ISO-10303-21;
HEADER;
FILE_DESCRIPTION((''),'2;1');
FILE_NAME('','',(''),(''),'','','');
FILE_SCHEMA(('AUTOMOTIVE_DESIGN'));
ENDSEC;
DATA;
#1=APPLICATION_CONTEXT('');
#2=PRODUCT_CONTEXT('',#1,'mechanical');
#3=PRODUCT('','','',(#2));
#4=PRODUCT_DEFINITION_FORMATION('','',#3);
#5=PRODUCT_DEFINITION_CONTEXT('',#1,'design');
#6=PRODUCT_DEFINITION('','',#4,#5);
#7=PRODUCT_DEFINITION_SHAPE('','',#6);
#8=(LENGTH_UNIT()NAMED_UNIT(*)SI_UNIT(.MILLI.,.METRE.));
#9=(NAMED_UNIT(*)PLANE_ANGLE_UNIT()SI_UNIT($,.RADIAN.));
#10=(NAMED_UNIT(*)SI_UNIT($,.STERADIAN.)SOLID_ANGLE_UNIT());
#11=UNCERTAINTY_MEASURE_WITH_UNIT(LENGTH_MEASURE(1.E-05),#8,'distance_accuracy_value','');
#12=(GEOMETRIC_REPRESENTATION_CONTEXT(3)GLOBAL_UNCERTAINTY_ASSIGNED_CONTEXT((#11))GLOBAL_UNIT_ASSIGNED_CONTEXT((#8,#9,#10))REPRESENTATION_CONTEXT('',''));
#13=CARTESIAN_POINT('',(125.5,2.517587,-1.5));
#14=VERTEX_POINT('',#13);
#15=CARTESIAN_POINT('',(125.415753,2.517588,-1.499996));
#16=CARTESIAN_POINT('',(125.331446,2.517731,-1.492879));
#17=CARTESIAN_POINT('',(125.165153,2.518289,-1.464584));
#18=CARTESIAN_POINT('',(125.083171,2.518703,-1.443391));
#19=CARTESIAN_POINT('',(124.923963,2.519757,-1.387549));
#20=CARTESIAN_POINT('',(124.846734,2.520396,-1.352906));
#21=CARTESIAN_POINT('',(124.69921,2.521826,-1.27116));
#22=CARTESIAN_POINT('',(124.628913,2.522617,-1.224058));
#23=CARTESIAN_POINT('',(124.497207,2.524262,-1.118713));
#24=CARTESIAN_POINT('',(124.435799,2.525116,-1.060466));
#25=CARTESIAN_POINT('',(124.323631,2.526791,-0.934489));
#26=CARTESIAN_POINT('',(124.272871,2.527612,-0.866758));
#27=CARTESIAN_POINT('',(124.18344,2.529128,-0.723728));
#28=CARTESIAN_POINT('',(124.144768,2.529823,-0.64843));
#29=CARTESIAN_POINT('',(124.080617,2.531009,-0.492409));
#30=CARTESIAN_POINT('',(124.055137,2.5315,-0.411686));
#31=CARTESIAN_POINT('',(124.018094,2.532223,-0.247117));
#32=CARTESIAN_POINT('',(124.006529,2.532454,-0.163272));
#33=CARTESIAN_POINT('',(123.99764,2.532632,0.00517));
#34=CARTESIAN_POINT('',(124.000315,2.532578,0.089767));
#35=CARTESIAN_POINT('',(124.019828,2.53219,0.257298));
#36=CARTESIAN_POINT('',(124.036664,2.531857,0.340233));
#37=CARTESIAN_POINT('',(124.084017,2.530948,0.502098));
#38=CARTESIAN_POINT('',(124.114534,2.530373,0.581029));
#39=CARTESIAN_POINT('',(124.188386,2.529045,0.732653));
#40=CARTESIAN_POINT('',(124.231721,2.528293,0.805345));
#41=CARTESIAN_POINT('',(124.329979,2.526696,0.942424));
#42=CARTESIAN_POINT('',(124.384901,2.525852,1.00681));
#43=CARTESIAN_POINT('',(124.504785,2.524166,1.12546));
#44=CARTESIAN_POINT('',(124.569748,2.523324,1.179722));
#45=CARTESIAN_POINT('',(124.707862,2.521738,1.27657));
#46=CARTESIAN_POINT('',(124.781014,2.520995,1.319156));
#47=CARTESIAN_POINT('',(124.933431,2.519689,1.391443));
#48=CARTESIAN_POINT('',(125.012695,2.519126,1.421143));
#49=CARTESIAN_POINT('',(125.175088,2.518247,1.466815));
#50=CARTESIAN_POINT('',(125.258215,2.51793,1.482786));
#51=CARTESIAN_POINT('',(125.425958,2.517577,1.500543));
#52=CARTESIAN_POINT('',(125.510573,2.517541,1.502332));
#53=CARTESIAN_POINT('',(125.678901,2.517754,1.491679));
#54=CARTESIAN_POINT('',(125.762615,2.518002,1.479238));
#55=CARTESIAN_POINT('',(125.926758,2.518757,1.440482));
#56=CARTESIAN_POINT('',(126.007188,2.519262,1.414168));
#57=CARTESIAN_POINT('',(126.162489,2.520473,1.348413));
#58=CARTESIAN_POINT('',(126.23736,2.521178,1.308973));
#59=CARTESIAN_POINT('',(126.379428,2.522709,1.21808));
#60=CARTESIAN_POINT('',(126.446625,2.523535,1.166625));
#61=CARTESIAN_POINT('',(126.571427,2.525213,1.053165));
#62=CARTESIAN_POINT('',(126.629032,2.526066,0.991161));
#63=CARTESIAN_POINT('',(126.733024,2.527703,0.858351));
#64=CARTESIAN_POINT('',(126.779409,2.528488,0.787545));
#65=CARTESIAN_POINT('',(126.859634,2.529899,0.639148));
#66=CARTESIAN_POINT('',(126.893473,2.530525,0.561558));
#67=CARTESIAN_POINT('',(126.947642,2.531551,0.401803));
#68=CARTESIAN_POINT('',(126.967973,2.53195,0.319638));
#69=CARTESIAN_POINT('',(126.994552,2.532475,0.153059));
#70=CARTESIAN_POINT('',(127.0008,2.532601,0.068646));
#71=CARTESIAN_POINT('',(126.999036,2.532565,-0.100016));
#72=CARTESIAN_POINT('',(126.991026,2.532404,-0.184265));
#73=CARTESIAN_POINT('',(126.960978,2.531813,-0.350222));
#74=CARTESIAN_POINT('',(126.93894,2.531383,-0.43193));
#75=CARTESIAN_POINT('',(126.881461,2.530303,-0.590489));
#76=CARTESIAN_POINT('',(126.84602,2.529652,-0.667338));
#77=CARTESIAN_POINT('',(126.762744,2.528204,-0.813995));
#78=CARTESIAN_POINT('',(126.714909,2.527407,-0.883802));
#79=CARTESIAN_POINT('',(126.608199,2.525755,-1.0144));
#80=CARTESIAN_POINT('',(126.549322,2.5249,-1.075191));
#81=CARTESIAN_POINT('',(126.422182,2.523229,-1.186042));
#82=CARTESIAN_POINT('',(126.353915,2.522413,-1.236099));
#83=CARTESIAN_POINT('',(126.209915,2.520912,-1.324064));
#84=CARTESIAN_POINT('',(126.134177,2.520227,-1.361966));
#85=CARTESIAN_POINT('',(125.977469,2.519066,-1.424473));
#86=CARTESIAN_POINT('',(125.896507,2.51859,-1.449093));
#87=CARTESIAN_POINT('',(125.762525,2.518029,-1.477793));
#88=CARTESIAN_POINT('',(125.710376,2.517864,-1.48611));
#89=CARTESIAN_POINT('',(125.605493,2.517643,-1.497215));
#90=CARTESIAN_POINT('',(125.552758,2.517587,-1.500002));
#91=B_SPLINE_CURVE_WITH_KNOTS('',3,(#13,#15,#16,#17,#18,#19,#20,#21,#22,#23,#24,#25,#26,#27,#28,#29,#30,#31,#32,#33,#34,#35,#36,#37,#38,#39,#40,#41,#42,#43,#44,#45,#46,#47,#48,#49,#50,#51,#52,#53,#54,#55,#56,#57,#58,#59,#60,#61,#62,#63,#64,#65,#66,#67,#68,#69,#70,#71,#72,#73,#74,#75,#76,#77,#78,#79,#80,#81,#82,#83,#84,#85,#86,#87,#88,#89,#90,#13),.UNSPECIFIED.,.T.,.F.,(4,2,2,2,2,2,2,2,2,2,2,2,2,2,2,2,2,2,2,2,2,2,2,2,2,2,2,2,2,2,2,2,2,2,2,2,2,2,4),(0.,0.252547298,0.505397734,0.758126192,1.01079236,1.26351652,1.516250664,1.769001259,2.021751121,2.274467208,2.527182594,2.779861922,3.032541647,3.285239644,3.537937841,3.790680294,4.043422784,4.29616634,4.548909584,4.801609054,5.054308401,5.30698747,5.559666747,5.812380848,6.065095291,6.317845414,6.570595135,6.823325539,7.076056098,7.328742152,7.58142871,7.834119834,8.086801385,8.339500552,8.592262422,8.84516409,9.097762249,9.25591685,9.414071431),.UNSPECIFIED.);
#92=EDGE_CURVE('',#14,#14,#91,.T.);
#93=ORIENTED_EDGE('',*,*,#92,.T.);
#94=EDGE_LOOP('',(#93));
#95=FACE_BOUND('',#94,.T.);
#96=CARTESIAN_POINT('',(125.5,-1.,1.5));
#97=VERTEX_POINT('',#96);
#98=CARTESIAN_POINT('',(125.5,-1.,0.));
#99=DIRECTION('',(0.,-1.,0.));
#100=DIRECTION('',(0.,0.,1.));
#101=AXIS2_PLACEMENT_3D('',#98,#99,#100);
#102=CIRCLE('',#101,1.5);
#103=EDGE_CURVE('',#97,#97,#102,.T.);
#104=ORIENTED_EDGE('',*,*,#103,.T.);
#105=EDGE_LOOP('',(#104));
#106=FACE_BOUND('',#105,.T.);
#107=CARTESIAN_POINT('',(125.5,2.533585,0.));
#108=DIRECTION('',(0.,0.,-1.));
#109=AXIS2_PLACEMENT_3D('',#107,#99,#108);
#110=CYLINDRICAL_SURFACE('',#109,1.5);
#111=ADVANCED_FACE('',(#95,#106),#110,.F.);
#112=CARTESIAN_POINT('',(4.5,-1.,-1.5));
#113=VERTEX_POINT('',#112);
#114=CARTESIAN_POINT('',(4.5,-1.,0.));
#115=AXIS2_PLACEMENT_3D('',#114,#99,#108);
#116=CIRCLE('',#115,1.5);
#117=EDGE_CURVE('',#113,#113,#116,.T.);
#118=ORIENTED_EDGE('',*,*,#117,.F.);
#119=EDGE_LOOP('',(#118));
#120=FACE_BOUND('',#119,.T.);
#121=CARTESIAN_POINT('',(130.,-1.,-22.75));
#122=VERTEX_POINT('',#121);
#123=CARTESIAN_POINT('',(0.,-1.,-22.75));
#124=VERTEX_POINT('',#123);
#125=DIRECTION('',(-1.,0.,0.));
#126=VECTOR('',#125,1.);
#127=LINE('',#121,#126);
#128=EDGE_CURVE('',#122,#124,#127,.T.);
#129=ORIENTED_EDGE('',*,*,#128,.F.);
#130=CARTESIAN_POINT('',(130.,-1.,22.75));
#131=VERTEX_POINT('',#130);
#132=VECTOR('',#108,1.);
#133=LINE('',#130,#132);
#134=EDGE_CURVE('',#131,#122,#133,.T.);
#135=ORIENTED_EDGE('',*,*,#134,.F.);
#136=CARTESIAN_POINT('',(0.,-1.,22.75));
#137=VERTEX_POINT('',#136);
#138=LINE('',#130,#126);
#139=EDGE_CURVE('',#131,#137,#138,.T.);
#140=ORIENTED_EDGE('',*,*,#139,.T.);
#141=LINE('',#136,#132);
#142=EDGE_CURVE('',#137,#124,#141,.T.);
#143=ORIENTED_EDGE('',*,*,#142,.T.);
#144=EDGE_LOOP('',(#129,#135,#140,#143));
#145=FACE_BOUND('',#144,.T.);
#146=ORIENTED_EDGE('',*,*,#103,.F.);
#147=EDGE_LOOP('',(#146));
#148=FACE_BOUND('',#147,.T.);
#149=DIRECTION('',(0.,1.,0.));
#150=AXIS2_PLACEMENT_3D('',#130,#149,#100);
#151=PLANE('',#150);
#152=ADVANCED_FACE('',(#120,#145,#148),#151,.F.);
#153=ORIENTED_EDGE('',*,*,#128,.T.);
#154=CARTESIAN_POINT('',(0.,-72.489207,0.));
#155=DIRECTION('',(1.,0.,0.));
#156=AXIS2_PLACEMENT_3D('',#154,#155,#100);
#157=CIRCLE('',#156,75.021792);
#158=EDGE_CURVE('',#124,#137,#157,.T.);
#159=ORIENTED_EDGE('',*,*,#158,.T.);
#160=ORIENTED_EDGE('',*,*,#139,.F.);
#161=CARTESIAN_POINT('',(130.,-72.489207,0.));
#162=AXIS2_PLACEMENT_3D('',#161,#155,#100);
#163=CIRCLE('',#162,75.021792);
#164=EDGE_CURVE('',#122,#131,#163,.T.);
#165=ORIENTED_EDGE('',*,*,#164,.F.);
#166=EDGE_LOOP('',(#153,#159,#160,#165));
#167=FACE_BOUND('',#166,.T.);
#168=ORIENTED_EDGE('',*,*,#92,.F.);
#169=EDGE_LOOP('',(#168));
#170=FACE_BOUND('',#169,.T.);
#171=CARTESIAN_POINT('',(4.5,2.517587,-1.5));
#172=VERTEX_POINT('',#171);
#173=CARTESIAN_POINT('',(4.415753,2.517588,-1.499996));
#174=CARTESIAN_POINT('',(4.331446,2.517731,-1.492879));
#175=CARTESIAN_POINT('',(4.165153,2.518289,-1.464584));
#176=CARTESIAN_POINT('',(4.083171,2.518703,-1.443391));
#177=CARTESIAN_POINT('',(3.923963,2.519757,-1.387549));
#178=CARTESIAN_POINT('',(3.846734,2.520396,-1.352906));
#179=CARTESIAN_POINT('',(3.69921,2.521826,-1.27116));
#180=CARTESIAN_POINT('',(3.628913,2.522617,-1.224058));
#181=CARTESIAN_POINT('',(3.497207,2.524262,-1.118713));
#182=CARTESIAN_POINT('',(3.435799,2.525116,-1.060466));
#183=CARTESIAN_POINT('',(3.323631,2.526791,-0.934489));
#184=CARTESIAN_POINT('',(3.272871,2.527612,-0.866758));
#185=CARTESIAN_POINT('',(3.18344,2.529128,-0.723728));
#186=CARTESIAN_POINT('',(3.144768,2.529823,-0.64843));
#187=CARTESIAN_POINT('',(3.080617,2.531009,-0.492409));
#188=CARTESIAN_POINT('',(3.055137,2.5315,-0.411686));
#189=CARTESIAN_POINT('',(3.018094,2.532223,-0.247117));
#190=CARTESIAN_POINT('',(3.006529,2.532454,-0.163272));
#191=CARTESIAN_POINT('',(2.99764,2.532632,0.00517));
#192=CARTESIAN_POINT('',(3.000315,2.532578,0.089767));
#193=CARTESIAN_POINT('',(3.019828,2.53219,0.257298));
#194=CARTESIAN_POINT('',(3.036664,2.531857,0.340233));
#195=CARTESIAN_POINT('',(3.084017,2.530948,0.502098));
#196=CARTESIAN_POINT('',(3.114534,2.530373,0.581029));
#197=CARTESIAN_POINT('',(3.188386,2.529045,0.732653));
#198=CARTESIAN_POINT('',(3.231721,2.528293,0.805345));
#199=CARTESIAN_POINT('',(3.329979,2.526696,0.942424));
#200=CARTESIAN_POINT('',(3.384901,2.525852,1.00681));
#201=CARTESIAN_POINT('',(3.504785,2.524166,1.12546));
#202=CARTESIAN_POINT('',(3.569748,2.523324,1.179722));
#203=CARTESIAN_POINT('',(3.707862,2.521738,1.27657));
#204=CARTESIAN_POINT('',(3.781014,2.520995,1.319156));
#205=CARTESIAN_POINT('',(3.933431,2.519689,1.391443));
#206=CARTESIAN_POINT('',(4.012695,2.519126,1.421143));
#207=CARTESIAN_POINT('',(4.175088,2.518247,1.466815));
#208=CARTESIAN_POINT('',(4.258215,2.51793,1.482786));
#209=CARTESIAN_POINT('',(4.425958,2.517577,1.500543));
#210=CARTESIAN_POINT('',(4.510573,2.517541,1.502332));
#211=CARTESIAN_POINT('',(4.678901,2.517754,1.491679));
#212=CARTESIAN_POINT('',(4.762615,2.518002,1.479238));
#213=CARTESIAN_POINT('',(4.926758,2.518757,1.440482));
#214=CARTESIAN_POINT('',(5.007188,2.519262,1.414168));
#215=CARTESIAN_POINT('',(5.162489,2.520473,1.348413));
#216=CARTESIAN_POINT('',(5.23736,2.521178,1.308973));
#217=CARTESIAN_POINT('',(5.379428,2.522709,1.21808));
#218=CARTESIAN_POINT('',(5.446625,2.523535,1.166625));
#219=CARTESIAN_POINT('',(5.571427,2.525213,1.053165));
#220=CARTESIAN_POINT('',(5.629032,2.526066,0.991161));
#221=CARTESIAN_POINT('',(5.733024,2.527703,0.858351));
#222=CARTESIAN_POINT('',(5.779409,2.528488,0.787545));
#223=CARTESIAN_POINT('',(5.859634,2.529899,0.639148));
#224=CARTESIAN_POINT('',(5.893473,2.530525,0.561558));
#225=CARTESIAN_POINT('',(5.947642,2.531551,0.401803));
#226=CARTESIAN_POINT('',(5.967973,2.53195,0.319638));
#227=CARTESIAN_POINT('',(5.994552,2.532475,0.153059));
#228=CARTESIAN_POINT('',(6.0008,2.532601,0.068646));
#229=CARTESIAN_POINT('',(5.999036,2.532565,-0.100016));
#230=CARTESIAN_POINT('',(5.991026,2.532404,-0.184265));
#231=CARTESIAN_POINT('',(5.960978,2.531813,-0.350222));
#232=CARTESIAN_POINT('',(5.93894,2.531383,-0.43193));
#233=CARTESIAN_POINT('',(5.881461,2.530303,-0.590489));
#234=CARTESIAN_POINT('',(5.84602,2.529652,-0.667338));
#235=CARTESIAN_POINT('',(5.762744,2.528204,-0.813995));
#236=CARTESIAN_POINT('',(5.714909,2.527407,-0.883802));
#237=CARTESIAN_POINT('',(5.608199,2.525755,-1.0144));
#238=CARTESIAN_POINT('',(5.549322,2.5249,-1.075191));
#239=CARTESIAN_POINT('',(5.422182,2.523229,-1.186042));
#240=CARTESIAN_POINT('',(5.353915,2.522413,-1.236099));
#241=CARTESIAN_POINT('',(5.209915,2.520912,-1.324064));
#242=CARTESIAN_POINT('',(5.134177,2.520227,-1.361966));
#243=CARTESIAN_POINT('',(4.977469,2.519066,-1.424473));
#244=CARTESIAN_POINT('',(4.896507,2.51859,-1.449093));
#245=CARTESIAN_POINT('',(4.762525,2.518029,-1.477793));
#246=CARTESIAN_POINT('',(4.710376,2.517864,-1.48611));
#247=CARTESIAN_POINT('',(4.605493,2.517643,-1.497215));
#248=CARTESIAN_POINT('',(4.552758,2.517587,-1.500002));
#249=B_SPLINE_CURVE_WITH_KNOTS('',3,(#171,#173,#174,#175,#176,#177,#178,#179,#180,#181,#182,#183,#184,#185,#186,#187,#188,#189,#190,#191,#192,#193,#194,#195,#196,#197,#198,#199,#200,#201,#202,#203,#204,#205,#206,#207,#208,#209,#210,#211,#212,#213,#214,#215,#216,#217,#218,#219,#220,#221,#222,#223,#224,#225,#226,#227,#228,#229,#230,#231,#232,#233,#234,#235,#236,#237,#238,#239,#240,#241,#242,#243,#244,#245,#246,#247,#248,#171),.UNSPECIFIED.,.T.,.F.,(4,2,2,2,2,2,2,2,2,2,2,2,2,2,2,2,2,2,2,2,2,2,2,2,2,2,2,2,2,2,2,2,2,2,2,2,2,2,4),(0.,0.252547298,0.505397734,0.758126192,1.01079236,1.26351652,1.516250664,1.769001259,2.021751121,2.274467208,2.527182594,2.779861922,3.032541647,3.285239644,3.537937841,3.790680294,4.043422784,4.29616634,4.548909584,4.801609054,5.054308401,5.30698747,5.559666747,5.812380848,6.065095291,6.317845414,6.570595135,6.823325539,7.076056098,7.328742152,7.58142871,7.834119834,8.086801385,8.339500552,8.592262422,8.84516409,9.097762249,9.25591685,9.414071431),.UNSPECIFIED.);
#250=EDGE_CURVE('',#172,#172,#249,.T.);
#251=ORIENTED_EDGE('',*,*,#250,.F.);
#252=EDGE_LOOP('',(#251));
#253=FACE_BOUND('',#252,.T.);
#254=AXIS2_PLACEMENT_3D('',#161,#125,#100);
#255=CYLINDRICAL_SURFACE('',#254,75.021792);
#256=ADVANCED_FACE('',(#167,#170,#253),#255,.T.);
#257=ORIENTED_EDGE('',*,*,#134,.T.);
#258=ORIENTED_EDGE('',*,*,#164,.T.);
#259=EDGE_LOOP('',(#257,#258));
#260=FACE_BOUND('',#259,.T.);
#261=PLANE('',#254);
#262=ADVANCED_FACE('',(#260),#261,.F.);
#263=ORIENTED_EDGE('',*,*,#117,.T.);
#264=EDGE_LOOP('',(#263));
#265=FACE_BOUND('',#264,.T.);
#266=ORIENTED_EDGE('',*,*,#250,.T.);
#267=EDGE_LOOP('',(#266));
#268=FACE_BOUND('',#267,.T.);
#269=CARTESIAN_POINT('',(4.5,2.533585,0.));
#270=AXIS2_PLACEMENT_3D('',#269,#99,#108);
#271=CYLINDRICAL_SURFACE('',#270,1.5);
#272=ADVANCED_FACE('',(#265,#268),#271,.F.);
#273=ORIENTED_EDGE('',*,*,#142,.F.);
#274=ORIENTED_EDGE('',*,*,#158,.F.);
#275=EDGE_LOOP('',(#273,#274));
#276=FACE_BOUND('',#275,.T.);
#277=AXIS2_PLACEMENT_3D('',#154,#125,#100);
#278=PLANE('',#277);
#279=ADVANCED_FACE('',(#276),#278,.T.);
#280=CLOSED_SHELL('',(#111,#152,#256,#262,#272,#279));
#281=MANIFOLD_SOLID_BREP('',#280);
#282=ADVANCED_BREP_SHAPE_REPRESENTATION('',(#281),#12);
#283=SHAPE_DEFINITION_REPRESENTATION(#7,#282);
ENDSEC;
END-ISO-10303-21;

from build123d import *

# Parameters (mm, degrees)
BOSS_EXTRUDE1_DEPTH     = 130
CUT_EXTRUDE1_REACH      = 134.023
CUT_EXTRUDE1_END_RADIUS = 75.021791979
SKETCH2_R               = 1.5


with BuildPart() as part:
    # Sketch1 → Boss-Extrude1 (new body)
    with BuildSketch(Plane(origin=(0, 0, 0), x_dir=(0, 0, -1), z_dir=(1, 0, 0))):
        with BuildLine():
            Line((-22.75, -1), (22.75, -1))
            ThreePointArc((22.75, -1), (0, 2.5325846), (-22.75, -1))
        make_face()
    extrude(amount=BOSS_EXTRUDE1_DEPTH)

    # Cut-Extrude1: up to this cylinder (the profile starts inside it)
    cut_extrude1_end = Plane(origin=(65, -72.489207379, 0), z_dir=(-1, 0, 0)) * Cylinder(CUT_EXTRUDE1_END_RADIUS, 540.089583957, mode=Mode.PRIVATE)
    # Sketch2 → Cut-Extrude1 (cut, up to the surface)
    with BuildSketch(Plane(origin=(0, -1, 0), x_dir=(-1, 0, 0), z_dir=(0, -1, 0)), mode=Mode.PRIVATE) as cut_extrude1_sk1:
        with Locations(Location((-4.5, 0, 0), (0, 0, 90))):
            Circle(SKETCH2_R)
    cut_extrude1_tool1 = extrude(cut_extrude1_sk1.sketch, amount=-CUT_EXTRUDE1_REACH, mode=Mode.PRIVATE) & cut_extrude1_end
    add(cut_extrude1_tool1.solids().sort_by_distance((4.5, -1, 0))[0], mode=Mode.SUBTRACT)
    # Sketch2 → Cut-Extrude1 (cut, up to the surface)
    with BuildSketch(Plane(origin=(0, -1, 0), x_dir=(-1, 0, 0), z_dir=(0, -1, 0)), mode=Mode.PRIVATE) as cut_extrude1_sk2:
        with Locations(Location((-125.5, 0, 0), (0, 0, 90))):
            Circle(SKETCH2_R)
    cut_extrude1_tool2 = extrude(cut_extrude1_sk2.sketch, amount=-CUT_EXTRUDE1_REACH, mode=Mode.PRIVATE) & cut_extrude1_end
    add(cut_extrude1_tool2.solids().sort_by_distance((125.5, -1, 0))[0], mode=Mode.SUBTRACT)


solid = part.part
